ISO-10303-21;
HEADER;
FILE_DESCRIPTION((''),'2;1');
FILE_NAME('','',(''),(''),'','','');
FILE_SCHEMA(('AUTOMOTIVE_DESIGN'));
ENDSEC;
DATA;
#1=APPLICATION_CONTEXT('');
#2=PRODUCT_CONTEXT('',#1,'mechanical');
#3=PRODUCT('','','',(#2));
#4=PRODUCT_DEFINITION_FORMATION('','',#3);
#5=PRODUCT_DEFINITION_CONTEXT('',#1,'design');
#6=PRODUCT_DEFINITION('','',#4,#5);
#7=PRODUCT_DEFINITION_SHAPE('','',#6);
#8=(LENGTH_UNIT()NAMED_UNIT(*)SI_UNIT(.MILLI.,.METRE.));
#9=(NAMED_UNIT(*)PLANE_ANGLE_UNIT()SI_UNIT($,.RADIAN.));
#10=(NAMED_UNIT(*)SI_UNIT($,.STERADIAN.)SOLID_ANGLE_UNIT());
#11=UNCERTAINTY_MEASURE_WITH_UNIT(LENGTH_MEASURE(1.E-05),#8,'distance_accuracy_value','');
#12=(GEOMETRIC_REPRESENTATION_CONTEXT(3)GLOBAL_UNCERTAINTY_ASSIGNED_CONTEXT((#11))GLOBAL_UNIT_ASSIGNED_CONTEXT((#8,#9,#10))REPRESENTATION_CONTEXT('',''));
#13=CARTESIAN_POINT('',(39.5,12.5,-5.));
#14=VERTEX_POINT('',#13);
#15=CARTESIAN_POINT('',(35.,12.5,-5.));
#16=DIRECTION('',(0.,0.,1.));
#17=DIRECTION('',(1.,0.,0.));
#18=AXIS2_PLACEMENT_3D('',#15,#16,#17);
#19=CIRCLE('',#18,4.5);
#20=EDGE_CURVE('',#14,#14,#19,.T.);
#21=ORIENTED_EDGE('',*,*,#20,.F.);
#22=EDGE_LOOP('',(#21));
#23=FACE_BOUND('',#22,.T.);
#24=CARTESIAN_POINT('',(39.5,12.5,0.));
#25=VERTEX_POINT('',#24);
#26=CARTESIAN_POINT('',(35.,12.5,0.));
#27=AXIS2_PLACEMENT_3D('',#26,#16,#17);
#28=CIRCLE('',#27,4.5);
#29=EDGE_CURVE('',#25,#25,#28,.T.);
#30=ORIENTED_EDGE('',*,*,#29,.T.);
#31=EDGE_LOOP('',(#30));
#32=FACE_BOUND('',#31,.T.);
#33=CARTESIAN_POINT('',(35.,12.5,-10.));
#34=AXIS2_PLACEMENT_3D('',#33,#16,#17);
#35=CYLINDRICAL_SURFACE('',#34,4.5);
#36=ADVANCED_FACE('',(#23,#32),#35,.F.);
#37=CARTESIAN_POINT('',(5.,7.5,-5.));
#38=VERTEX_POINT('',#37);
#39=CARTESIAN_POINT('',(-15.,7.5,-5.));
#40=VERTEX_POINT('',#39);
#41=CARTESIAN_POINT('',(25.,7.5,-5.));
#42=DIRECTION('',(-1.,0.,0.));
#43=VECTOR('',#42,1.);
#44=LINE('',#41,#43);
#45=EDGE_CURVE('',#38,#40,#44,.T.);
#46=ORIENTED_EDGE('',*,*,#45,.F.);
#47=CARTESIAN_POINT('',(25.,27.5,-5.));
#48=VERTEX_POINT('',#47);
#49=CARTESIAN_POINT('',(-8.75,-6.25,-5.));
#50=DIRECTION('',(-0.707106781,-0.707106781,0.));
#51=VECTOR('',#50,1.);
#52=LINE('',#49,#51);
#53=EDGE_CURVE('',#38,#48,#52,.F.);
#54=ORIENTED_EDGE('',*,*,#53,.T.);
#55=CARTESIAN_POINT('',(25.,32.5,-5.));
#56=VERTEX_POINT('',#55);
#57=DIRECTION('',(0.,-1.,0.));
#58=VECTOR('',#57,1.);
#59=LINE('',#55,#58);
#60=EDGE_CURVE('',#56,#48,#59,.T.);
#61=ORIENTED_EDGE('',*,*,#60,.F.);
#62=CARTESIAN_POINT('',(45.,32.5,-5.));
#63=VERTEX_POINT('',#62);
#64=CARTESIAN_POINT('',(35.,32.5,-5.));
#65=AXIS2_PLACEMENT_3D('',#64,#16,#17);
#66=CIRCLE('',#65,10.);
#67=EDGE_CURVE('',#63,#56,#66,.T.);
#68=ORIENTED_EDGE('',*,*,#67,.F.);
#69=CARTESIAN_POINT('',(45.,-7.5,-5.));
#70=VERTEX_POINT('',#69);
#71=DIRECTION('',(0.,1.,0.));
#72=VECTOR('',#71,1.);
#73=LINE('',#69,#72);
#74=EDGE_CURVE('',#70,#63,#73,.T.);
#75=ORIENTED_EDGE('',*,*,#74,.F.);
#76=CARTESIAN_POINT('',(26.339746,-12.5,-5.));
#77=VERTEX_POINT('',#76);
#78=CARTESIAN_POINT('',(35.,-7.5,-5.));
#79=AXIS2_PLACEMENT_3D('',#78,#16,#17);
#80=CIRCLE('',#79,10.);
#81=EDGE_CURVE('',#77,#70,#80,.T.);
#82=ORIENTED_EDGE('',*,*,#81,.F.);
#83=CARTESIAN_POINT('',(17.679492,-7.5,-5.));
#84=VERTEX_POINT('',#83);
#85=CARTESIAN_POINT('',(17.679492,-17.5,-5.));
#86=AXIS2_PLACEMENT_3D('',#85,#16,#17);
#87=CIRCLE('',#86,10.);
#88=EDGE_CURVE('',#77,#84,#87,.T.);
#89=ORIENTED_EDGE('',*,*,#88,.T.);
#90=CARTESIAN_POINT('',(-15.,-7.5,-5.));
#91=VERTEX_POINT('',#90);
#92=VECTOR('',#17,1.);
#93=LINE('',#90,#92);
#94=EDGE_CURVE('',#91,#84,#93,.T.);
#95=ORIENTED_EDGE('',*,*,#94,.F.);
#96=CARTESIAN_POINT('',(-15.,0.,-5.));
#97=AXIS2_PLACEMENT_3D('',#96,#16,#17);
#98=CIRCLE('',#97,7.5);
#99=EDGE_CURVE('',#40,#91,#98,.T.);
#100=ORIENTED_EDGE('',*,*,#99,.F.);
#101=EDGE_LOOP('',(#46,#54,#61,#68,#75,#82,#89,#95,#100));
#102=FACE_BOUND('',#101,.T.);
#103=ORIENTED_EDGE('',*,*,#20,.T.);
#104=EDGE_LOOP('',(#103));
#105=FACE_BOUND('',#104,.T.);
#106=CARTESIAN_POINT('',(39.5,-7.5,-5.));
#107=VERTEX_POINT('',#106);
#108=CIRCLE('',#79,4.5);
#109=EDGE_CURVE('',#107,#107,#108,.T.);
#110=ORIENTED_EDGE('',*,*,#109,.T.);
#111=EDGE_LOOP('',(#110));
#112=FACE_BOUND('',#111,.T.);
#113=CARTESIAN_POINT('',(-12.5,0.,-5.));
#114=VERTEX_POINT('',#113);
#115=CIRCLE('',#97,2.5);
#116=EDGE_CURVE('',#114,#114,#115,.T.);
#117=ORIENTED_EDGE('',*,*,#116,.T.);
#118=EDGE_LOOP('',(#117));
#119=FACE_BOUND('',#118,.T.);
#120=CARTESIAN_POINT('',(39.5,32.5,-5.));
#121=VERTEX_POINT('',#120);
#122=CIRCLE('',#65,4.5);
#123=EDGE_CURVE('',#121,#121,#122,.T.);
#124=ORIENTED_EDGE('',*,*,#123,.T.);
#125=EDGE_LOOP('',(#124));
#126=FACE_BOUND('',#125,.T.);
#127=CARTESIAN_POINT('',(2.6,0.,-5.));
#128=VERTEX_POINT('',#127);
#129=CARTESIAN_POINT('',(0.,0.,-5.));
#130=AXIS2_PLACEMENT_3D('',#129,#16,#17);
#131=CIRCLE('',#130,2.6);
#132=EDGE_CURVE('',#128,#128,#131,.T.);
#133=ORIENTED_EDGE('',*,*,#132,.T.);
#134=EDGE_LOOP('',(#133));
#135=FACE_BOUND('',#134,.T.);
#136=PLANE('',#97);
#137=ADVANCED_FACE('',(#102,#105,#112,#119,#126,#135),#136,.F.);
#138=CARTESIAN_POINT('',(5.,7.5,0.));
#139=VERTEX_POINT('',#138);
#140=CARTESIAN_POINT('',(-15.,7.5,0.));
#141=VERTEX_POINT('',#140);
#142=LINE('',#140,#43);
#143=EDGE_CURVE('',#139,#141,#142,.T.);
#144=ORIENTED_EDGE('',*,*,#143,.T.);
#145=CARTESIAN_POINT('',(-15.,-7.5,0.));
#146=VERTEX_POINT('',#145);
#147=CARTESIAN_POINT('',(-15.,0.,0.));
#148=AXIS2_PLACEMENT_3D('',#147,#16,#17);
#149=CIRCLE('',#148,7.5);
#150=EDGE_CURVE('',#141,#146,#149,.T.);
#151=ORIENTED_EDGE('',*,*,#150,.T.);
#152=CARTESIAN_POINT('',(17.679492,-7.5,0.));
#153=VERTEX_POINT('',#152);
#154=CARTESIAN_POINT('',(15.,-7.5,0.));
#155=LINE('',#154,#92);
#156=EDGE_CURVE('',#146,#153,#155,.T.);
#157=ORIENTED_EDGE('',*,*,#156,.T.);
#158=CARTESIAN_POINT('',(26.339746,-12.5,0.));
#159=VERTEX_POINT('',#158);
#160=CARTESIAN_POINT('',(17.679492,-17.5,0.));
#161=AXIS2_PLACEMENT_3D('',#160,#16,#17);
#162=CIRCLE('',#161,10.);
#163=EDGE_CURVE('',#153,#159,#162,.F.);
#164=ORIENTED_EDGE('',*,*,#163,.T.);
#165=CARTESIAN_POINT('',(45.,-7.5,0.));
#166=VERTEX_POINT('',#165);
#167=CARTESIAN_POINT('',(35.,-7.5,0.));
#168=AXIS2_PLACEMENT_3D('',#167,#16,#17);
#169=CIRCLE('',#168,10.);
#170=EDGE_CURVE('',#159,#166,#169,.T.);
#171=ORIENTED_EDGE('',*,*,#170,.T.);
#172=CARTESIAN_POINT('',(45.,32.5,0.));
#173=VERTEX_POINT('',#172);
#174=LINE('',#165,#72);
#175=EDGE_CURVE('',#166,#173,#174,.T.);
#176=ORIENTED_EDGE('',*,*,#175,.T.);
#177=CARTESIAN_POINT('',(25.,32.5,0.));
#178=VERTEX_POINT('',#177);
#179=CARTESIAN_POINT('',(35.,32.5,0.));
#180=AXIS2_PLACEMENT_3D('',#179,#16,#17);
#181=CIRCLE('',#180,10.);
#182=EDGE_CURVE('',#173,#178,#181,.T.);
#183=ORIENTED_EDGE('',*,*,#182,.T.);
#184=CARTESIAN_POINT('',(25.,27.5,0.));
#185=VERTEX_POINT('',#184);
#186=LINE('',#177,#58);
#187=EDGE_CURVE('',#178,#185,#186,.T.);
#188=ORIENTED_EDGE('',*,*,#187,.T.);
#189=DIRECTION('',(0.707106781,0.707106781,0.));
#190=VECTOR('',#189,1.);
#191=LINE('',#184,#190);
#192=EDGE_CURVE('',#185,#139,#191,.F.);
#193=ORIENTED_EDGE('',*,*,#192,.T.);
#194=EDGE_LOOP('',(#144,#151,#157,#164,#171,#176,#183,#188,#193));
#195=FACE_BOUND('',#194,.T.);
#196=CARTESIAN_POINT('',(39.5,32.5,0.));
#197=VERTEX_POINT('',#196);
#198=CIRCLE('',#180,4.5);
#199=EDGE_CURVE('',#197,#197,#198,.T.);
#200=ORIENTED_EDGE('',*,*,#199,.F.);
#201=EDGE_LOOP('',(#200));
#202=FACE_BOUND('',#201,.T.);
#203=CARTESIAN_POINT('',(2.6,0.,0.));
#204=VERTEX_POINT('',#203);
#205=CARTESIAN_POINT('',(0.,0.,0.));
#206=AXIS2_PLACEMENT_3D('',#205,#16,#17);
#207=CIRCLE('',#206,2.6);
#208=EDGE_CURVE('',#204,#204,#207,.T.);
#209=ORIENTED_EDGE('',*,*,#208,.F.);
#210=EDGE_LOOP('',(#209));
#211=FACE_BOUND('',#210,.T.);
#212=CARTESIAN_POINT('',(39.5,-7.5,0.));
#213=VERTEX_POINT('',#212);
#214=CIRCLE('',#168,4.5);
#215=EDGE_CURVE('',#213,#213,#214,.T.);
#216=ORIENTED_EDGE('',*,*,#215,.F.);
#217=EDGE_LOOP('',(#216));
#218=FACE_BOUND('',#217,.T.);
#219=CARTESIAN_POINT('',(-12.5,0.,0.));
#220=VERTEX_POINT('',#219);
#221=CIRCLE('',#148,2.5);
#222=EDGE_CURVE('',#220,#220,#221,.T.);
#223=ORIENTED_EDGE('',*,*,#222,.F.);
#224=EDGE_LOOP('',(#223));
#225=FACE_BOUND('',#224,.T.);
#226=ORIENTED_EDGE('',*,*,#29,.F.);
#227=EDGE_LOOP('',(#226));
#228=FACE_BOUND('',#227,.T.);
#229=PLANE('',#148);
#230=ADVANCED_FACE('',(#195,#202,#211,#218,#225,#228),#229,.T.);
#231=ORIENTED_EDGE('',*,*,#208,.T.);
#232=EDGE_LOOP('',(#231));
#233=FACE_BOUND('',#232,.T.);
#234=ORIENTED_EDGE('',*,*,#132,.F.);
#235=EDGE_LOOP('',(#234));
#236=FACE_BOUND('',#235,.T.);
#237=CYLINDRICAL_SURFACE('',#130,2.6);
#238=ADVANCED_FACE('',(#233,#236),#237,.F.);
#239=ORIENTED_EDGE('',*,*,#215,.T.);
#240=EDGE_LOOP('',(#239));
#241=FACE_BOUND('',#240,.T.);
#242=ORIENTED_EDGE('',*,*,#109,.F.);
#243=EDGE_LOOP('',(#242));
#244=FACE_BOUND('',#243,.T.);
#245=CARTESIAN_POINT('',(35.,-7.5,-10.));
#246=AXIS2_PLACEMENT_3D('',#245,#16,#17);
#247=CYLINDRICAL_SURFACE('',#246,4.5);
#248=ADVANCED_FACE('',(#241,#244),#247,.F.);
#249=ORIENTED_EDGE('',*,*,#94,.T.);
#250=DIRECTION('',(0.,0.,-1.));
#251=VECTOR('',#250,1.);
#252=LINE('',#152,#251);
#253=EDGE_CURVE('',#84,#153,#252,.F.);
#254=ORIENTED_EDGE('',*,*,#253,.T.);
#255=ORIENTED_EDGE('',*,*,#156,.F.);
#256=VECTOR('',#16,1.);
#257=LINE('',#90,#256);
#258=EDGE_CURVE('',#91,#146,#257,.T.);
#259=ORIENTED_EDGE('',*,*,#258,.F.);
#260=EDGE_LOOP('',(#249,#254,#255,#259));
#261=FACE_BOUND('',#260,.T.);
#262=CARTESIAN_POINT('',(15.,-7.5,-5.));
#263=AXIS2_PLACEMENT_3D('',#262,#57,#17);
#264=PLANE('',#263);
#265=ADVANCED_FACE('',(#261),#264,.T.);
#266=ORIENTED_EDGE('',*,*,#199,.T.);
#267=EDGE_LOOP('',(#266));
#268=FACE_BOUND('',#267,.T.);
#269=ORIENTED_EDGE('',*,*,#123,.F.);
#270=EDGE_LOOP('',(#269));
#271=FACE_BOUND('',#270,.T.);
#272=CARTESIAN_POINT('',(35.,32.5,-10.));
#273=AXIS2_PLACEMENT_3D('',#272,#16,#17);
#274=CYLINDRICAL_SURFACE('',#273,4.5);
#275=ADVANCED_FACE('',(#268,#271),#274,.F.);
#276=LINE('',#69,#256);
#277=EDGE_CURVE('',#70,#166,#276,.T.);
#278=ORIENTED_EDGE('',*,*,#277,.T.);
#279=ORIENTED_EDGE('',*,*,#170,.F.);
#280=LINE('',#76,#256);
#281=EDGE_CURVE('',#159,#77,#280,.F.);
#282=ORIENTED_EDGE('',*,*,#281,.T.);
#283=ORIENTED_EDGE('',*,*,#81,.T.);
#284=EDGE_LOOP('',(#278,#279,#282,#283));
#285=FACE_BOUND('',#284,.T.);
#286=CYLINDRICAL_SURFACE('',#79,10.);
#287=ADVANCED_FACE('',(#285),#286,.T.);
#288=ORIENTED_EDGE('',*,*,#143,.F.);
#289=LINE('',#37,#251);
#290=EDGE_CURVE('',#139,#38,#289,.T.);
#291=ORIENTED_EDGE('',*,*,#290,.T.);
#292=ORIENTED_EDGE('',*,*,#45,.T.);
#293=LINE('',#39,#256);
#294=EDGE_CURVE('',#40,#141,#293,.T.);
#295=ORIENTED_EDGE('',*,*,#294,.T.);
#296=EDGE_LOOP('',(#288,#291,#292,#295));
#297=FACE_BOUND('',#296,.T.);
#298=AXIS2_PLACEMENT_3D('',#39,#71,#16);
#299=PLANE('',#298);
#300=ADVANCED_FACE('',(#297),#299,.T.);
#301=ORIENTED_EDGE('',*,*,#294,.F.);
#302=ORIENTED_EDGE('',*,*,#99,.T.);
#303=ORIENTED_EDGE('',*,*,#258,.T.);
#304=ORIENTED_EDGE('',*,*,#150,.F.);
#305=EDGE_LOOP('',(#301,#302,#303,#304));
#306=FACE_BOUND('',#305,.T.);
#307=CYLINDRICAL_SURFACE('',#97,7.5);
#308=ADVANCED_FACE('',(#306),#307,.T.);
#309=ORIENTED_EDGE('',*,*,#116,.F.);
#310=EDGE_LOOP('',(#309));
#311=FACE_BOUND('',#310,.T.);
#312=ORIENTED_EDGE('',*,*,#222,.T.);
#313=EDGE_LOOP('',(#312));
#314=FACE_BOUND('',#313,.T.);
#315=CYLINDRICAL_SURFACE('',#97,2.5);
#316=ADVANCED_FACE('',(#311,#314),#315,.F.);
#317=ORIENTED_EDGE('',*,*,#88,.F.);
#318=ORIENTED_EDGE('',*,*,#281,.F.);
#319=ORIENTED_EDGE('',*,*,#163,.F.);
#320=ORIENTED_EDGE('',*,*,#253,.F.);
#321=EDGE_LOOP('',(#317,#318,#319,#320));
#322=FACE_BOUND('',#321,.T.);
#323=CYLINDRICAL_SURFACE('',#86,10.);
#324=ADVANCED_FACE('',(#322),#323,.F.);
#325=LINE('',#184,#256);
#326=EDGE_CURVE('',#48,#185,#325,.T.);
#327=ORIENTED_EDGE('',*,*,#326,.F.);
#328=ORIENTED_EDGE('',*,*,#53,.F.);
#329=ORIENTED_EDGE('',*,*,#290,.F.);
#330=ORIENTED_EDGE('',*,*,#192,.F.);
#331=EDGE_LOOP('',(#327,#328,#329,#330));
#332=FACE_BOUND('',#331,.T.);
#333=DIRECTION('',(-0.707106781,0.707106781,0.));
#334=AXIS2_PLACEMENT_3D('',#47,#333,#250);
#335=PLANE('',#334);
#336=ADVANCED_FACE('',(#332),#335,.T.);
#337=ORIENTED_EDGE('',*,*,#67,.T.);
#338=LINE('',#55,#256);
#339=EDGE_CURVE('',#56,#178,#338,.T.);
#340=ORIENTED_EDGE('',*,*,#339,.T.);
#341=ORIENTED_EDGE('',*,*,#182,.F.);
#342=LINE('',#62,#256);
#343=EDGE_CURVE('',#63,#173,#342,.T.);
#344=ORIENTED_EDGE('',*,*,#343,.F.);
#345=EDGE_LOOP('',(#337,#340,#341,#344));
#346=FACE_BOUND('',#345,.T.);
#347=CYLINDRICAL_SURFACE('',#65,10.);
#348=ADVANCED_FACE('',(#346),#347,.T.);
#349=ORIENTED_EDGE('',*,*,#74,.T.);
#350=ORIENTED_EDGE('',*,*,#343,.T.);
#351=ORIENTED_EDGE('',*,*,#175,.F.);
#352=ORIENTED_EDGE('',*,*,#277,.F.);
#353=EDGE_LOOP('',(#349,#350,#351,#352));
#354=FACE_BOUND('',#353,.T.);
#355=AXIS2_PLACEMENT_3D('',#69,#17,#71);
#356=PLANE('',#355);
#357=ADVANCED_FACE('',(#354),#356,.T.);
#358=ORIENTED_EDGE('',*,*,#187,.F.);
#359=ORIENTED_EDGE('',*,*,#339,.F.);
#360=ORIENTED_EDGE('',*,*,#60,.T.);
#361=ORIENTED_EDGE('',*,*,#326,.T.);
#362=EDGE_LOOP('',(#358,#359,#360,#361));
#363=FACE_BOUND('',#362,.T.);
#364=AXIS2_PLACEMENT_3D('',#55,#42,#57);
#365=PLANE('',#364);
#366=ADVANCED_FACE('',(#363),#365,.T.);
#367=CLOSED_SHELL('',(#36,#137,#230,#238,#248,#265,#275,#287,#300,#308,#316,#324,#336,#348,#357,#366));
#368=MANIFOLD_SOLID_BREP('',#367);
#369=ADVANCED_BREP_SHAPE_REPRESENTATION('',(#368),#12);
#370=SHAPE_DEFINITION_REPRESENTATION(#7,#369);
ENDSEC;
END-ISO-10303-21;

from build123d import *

# Parameters (mm, degrees)
SKETCH_1_R          = 2.6
SKETCH_1_R_2        = 2.5
EXTRUDE_1_DEPTH     = 5
SKETCH_2_R          = 4.5
CUT_EXTRUDE_1_DEPTH = 10
CHAMFER_1_SIZE      = 20
FILLET_1_R          = 10


with BuildPart() as part:
    # 草图1 → 凸台-拉伸1 (new body)
    with BuildSketch(Plane.XY):
        with BuildLine():
            Line((-15, 7.5), (0, 7.5))
            Line((0, 7.5), (15, 7.5))
            Line((15, 7.5), (25, 7.5))
            Line((25, 7.5), (25, 32.5))
            ThreePointArc((25, 32.5), (35, 42.5), (45, 32.5))
            Line((45, 32.5), (45, -7.5))
            ThreePointArc((45, -7.5), (35, -17.5), (25, -7.5))
            Line((25, -7.5), (15, -7.5))
            Line((15, -7.5), (0, -7.5))
            Line((0, -7.5), (-15, -7.5))
            ThreePointArc((-15, -7.5), (-22.5, 0), (-15, 7.5))
        make_face()
        Circle(SKETCH_1_R, mode=Mode.SUBTRACT)
        with Locations((-15, 0)):
            Circle(SKETCH_1_R_2, mode=Mode.SUBTRACT)
    extrude(amount=-EXTRUDE_1_DEPTH)

    # 草图2 → 切除-拉伸1 (cut)
    with BuildSketch(Plane.XY):
        with Locations((35, -7.5)):
            Circle(SKETCH_2_R)
        with Locations((35, 32.5)):
            Circle(SKETCH_2_R)
        with Locations((35, 12.5)):
            Circle(SKETCH_2_R)
    extrude(amount=-CUT_EXTRUDE_1_DEPTH, mode=Mode.SUBTRACT)

    # 倒角1
    chamfer_1_edges = [part.edges().sort_by_distance(p)[0] for p in [
        (25, 7.5, -2.5),
    ]]
    chamfer(chamfer_1_edges, length=CHAMFER_1_SIZE)

    # 圆角1
    fillet_1_edges = [part.edges().sort_by_distance(p)[0] for p in [
        (25, -7.5, -2.5),
    ]]
    fillet(fillet_1_edges, radius=FILLET_1_R)


solid = part.part
